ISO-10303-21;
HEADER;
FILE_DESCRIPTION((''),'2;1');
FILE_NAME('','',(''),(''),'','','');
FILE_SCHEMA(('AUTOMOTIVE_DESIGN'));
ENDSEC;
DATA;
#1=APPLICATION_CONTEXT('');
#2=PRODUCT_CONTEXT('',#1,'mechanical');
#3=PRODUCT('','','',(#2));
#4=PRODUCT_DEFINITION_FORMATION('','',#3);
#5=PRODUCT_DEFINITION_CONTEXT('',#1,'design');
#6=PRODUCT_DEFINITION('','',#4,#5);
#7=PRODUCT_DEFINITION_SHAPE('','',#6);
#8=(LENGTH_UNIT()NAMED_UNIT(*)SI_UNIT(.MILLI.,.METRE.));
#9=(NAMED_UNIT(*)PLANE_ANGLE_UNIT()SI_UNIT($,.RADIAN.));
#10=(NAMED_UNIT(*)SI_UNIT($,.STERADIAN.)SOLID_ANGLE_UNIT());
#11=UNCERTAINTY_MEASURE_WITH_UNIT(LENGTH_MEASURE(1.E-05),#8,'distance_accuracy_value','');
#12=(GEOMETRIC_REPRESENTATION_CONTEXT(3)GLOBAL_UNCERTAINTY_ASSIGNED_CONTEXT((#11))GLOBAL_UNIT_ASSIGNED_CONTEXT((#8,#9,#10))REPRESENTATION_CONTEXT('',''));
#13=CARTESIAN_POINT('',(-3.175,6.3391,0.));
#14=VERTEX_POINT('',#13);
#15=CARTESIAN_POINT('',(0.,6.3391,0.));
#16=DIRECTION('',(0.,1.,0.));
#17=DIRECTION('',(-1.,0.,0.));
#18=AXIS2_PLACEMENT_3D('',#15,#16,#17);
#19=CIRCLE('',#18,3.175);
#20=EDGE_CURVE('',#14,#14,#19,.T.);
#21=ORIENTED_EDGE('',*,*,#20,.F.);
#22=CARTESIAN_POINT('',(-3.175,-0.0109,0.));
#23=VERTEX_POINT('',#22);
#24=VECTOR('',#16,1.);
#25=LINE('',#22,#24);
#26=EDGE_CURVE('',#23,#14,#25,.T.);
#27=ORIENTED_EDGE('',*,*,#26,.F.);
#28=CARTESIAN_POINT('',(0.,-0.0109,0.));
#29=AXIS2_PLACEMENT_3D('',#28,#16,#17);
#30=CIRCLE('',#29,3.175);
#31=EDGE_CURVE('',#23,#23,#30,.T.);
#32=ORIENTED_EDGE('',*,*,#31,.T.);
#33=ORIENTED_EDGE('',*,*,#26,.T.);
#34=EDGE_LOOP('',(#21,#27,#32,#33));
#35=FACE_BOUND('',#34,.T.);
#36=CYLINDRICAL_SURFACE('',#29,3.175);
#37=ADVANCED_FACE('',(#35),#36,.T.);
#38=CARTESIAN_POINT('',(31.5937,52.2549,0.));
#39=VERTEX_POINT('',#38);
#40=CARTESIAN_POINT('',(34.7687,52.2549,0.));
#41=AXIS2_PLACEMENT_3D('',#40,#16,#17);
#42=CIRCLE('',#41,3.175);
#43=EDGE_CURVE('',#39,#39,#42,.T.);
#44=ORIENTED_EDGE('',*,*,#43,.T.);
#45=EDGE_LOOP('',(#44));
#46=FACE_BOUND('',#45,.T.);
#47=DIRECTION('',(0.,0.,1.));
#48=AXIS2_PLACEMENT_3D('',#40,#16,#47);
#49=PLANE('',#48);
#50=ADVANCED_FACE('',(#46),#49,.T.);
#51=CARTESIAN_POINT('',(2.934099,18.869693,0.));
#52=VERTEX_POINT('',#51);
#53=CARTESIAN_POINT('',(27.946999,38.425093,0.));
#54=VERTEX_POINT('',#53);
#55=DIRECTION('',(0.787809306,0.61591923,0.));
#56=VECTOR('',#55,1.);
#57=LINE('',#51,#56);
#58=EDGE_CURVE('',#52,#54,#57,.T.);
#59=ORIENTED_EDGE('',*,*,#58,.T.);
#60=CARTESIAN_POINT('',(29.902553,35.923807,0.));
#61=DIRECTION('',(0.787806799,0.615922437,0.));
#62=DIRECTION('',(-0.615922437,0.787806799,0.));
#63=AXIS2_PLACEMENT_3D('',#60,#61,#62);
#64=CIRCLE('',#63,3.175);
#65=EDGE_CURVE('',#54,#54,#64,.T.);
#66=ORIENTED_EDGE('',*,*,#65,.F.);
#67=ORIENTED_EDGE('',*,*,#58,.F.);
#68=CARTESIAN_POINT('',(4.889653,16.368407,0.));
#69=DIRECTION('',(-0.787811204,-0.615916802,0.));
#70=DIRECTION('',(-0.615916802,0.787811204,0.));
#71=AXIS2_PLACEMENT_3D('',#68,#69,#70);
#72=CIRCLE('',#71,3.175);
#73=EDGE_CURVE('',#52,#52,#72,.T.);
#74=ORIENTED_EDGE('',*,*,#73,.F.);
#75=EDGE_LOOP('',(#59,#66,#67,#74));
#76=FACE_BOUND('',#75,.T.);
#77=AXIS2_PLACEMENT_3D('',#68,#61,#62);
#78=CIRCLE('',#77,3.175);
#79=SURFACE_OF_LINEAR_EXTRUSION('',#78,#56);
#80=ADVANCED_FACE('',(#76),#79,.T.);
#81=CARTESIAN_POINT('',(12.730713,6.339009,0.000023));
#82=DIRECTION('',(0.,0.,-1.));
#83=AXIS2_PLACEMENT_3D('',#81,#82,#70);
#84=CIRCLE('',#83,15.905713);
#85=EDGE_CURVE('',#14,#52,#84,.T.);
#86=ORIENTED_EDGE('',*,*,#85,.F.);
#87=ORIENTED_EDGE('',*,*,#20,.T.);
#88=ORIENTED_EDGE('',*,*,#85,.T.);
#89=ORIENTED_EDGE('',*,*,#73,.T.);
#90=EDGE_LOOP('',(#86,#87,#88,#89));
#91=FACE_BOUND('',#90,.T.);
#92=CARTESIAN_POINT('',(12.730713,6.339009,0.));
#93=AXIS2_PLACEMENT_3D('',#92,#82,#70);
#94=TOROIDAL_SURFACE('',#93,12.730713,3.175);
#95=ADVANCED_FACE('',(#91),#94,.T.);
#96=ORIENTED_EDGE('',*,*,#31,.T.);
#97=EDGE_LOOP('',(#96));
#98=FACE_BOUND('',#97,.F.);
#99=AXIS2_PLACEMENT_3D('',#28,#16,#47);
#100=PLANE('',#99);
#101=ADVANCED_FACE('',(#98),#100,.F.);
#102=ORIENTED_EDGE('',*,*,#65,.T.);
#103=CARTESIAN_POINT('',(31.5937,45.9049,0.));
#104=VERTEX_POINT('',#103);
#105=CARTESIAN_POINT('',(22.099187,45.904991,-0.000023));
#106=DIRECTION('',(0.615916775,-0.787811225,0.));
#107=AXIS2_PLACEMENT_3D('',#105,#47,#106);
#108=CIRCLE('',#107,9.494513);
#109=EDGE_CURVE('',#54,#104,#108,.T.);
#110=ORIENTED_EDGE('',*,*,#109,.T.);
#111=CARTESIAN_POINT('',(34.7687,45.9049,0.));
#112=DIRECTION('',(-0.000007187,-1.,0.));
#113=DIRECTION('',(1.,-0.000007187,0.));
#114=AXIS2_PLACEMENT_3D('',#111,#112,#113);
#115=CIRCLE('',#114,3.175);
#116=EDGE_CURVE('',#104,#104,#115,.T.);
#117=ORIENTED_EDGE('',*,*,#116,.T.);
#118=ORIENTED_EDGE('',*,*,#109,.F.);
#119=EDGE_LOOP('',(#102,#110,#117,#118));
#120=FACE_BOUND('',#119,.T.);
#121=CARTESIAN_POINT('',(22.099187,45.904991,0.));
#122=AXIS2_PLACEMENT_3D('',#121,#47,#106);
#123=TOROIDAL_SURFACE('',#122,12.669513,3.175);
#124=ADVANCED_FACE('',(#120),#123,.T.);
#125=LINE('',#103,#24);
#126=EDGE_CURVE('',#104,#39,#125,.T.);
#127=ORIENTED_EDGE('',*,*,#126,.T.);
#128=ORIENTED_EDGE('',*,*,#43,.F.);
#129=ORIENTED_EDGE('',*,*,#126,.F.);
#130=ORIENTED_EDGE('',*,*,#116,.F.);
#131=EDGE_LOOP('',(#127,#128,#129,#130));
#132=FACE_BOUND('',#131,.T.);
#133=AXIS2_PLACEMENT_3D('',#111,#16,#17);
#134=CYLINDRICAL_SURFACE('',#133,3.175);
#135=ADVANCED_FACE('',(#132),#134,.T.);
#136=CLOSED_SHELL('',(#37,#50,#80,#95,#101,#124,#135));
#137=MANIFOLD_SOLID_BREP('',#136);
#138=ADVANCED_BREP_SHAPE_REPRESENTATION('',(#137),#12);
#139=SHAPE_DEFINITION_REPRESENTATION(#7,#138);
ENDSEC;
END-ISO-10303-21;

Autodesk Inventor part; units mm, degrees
ref_plane "YZ Plane" through (0, 0, 0) normal (1, 0, 0) x (0, 1, 0)
ref_plane "XZ Plane" through (0, 0, 0) normal (0, 1, 0) x (-1, 0, 0)
ref_plane "XY Plane" through (0, 0, 0) normal (0, 0, 1) x (1, 0, 0)
sketch "Sketch1" plane through (0, 0, 0) normal (0, 0, 1) x (1, 0, 0)
  line L0 (0.0306, -0.0109) -> (0.0306, 6.3391)
  line L1 (4.9085, 16.3443) -> (29.9214, 35.8997)
  line L2 (34.7993, 45.9049) -> (34.7993, 52.2549)
  arc A0 (4.9085, 16.3443) -> (0.0306, 6.3391) centre (12.7306, 6.3391) ccw
  arc A1 (29.9214, 35.8997) -> (34.7993, 45.9049) centre (22.0993, 45.9049) ccw
  point P0 (0, 0)
  point P1 (0.0306, 12.5307)
  dimension "d3" = 12.7
  dimension "d4" = 6.35
  dimension "d5" = 6.35
  dimension "d6" = 31.75
sketch "Sketch2" plane through (0, 0, 0) normal (0, 1, 0) x (-1, 0, 0)
  circle A0 centre (0, 0) radius 3.175
  dimension "d1" = 6.35
sweep "Sweep1" add profiles "Sketch2" path "Sketch1"
properties part number "FeedSplitter"
